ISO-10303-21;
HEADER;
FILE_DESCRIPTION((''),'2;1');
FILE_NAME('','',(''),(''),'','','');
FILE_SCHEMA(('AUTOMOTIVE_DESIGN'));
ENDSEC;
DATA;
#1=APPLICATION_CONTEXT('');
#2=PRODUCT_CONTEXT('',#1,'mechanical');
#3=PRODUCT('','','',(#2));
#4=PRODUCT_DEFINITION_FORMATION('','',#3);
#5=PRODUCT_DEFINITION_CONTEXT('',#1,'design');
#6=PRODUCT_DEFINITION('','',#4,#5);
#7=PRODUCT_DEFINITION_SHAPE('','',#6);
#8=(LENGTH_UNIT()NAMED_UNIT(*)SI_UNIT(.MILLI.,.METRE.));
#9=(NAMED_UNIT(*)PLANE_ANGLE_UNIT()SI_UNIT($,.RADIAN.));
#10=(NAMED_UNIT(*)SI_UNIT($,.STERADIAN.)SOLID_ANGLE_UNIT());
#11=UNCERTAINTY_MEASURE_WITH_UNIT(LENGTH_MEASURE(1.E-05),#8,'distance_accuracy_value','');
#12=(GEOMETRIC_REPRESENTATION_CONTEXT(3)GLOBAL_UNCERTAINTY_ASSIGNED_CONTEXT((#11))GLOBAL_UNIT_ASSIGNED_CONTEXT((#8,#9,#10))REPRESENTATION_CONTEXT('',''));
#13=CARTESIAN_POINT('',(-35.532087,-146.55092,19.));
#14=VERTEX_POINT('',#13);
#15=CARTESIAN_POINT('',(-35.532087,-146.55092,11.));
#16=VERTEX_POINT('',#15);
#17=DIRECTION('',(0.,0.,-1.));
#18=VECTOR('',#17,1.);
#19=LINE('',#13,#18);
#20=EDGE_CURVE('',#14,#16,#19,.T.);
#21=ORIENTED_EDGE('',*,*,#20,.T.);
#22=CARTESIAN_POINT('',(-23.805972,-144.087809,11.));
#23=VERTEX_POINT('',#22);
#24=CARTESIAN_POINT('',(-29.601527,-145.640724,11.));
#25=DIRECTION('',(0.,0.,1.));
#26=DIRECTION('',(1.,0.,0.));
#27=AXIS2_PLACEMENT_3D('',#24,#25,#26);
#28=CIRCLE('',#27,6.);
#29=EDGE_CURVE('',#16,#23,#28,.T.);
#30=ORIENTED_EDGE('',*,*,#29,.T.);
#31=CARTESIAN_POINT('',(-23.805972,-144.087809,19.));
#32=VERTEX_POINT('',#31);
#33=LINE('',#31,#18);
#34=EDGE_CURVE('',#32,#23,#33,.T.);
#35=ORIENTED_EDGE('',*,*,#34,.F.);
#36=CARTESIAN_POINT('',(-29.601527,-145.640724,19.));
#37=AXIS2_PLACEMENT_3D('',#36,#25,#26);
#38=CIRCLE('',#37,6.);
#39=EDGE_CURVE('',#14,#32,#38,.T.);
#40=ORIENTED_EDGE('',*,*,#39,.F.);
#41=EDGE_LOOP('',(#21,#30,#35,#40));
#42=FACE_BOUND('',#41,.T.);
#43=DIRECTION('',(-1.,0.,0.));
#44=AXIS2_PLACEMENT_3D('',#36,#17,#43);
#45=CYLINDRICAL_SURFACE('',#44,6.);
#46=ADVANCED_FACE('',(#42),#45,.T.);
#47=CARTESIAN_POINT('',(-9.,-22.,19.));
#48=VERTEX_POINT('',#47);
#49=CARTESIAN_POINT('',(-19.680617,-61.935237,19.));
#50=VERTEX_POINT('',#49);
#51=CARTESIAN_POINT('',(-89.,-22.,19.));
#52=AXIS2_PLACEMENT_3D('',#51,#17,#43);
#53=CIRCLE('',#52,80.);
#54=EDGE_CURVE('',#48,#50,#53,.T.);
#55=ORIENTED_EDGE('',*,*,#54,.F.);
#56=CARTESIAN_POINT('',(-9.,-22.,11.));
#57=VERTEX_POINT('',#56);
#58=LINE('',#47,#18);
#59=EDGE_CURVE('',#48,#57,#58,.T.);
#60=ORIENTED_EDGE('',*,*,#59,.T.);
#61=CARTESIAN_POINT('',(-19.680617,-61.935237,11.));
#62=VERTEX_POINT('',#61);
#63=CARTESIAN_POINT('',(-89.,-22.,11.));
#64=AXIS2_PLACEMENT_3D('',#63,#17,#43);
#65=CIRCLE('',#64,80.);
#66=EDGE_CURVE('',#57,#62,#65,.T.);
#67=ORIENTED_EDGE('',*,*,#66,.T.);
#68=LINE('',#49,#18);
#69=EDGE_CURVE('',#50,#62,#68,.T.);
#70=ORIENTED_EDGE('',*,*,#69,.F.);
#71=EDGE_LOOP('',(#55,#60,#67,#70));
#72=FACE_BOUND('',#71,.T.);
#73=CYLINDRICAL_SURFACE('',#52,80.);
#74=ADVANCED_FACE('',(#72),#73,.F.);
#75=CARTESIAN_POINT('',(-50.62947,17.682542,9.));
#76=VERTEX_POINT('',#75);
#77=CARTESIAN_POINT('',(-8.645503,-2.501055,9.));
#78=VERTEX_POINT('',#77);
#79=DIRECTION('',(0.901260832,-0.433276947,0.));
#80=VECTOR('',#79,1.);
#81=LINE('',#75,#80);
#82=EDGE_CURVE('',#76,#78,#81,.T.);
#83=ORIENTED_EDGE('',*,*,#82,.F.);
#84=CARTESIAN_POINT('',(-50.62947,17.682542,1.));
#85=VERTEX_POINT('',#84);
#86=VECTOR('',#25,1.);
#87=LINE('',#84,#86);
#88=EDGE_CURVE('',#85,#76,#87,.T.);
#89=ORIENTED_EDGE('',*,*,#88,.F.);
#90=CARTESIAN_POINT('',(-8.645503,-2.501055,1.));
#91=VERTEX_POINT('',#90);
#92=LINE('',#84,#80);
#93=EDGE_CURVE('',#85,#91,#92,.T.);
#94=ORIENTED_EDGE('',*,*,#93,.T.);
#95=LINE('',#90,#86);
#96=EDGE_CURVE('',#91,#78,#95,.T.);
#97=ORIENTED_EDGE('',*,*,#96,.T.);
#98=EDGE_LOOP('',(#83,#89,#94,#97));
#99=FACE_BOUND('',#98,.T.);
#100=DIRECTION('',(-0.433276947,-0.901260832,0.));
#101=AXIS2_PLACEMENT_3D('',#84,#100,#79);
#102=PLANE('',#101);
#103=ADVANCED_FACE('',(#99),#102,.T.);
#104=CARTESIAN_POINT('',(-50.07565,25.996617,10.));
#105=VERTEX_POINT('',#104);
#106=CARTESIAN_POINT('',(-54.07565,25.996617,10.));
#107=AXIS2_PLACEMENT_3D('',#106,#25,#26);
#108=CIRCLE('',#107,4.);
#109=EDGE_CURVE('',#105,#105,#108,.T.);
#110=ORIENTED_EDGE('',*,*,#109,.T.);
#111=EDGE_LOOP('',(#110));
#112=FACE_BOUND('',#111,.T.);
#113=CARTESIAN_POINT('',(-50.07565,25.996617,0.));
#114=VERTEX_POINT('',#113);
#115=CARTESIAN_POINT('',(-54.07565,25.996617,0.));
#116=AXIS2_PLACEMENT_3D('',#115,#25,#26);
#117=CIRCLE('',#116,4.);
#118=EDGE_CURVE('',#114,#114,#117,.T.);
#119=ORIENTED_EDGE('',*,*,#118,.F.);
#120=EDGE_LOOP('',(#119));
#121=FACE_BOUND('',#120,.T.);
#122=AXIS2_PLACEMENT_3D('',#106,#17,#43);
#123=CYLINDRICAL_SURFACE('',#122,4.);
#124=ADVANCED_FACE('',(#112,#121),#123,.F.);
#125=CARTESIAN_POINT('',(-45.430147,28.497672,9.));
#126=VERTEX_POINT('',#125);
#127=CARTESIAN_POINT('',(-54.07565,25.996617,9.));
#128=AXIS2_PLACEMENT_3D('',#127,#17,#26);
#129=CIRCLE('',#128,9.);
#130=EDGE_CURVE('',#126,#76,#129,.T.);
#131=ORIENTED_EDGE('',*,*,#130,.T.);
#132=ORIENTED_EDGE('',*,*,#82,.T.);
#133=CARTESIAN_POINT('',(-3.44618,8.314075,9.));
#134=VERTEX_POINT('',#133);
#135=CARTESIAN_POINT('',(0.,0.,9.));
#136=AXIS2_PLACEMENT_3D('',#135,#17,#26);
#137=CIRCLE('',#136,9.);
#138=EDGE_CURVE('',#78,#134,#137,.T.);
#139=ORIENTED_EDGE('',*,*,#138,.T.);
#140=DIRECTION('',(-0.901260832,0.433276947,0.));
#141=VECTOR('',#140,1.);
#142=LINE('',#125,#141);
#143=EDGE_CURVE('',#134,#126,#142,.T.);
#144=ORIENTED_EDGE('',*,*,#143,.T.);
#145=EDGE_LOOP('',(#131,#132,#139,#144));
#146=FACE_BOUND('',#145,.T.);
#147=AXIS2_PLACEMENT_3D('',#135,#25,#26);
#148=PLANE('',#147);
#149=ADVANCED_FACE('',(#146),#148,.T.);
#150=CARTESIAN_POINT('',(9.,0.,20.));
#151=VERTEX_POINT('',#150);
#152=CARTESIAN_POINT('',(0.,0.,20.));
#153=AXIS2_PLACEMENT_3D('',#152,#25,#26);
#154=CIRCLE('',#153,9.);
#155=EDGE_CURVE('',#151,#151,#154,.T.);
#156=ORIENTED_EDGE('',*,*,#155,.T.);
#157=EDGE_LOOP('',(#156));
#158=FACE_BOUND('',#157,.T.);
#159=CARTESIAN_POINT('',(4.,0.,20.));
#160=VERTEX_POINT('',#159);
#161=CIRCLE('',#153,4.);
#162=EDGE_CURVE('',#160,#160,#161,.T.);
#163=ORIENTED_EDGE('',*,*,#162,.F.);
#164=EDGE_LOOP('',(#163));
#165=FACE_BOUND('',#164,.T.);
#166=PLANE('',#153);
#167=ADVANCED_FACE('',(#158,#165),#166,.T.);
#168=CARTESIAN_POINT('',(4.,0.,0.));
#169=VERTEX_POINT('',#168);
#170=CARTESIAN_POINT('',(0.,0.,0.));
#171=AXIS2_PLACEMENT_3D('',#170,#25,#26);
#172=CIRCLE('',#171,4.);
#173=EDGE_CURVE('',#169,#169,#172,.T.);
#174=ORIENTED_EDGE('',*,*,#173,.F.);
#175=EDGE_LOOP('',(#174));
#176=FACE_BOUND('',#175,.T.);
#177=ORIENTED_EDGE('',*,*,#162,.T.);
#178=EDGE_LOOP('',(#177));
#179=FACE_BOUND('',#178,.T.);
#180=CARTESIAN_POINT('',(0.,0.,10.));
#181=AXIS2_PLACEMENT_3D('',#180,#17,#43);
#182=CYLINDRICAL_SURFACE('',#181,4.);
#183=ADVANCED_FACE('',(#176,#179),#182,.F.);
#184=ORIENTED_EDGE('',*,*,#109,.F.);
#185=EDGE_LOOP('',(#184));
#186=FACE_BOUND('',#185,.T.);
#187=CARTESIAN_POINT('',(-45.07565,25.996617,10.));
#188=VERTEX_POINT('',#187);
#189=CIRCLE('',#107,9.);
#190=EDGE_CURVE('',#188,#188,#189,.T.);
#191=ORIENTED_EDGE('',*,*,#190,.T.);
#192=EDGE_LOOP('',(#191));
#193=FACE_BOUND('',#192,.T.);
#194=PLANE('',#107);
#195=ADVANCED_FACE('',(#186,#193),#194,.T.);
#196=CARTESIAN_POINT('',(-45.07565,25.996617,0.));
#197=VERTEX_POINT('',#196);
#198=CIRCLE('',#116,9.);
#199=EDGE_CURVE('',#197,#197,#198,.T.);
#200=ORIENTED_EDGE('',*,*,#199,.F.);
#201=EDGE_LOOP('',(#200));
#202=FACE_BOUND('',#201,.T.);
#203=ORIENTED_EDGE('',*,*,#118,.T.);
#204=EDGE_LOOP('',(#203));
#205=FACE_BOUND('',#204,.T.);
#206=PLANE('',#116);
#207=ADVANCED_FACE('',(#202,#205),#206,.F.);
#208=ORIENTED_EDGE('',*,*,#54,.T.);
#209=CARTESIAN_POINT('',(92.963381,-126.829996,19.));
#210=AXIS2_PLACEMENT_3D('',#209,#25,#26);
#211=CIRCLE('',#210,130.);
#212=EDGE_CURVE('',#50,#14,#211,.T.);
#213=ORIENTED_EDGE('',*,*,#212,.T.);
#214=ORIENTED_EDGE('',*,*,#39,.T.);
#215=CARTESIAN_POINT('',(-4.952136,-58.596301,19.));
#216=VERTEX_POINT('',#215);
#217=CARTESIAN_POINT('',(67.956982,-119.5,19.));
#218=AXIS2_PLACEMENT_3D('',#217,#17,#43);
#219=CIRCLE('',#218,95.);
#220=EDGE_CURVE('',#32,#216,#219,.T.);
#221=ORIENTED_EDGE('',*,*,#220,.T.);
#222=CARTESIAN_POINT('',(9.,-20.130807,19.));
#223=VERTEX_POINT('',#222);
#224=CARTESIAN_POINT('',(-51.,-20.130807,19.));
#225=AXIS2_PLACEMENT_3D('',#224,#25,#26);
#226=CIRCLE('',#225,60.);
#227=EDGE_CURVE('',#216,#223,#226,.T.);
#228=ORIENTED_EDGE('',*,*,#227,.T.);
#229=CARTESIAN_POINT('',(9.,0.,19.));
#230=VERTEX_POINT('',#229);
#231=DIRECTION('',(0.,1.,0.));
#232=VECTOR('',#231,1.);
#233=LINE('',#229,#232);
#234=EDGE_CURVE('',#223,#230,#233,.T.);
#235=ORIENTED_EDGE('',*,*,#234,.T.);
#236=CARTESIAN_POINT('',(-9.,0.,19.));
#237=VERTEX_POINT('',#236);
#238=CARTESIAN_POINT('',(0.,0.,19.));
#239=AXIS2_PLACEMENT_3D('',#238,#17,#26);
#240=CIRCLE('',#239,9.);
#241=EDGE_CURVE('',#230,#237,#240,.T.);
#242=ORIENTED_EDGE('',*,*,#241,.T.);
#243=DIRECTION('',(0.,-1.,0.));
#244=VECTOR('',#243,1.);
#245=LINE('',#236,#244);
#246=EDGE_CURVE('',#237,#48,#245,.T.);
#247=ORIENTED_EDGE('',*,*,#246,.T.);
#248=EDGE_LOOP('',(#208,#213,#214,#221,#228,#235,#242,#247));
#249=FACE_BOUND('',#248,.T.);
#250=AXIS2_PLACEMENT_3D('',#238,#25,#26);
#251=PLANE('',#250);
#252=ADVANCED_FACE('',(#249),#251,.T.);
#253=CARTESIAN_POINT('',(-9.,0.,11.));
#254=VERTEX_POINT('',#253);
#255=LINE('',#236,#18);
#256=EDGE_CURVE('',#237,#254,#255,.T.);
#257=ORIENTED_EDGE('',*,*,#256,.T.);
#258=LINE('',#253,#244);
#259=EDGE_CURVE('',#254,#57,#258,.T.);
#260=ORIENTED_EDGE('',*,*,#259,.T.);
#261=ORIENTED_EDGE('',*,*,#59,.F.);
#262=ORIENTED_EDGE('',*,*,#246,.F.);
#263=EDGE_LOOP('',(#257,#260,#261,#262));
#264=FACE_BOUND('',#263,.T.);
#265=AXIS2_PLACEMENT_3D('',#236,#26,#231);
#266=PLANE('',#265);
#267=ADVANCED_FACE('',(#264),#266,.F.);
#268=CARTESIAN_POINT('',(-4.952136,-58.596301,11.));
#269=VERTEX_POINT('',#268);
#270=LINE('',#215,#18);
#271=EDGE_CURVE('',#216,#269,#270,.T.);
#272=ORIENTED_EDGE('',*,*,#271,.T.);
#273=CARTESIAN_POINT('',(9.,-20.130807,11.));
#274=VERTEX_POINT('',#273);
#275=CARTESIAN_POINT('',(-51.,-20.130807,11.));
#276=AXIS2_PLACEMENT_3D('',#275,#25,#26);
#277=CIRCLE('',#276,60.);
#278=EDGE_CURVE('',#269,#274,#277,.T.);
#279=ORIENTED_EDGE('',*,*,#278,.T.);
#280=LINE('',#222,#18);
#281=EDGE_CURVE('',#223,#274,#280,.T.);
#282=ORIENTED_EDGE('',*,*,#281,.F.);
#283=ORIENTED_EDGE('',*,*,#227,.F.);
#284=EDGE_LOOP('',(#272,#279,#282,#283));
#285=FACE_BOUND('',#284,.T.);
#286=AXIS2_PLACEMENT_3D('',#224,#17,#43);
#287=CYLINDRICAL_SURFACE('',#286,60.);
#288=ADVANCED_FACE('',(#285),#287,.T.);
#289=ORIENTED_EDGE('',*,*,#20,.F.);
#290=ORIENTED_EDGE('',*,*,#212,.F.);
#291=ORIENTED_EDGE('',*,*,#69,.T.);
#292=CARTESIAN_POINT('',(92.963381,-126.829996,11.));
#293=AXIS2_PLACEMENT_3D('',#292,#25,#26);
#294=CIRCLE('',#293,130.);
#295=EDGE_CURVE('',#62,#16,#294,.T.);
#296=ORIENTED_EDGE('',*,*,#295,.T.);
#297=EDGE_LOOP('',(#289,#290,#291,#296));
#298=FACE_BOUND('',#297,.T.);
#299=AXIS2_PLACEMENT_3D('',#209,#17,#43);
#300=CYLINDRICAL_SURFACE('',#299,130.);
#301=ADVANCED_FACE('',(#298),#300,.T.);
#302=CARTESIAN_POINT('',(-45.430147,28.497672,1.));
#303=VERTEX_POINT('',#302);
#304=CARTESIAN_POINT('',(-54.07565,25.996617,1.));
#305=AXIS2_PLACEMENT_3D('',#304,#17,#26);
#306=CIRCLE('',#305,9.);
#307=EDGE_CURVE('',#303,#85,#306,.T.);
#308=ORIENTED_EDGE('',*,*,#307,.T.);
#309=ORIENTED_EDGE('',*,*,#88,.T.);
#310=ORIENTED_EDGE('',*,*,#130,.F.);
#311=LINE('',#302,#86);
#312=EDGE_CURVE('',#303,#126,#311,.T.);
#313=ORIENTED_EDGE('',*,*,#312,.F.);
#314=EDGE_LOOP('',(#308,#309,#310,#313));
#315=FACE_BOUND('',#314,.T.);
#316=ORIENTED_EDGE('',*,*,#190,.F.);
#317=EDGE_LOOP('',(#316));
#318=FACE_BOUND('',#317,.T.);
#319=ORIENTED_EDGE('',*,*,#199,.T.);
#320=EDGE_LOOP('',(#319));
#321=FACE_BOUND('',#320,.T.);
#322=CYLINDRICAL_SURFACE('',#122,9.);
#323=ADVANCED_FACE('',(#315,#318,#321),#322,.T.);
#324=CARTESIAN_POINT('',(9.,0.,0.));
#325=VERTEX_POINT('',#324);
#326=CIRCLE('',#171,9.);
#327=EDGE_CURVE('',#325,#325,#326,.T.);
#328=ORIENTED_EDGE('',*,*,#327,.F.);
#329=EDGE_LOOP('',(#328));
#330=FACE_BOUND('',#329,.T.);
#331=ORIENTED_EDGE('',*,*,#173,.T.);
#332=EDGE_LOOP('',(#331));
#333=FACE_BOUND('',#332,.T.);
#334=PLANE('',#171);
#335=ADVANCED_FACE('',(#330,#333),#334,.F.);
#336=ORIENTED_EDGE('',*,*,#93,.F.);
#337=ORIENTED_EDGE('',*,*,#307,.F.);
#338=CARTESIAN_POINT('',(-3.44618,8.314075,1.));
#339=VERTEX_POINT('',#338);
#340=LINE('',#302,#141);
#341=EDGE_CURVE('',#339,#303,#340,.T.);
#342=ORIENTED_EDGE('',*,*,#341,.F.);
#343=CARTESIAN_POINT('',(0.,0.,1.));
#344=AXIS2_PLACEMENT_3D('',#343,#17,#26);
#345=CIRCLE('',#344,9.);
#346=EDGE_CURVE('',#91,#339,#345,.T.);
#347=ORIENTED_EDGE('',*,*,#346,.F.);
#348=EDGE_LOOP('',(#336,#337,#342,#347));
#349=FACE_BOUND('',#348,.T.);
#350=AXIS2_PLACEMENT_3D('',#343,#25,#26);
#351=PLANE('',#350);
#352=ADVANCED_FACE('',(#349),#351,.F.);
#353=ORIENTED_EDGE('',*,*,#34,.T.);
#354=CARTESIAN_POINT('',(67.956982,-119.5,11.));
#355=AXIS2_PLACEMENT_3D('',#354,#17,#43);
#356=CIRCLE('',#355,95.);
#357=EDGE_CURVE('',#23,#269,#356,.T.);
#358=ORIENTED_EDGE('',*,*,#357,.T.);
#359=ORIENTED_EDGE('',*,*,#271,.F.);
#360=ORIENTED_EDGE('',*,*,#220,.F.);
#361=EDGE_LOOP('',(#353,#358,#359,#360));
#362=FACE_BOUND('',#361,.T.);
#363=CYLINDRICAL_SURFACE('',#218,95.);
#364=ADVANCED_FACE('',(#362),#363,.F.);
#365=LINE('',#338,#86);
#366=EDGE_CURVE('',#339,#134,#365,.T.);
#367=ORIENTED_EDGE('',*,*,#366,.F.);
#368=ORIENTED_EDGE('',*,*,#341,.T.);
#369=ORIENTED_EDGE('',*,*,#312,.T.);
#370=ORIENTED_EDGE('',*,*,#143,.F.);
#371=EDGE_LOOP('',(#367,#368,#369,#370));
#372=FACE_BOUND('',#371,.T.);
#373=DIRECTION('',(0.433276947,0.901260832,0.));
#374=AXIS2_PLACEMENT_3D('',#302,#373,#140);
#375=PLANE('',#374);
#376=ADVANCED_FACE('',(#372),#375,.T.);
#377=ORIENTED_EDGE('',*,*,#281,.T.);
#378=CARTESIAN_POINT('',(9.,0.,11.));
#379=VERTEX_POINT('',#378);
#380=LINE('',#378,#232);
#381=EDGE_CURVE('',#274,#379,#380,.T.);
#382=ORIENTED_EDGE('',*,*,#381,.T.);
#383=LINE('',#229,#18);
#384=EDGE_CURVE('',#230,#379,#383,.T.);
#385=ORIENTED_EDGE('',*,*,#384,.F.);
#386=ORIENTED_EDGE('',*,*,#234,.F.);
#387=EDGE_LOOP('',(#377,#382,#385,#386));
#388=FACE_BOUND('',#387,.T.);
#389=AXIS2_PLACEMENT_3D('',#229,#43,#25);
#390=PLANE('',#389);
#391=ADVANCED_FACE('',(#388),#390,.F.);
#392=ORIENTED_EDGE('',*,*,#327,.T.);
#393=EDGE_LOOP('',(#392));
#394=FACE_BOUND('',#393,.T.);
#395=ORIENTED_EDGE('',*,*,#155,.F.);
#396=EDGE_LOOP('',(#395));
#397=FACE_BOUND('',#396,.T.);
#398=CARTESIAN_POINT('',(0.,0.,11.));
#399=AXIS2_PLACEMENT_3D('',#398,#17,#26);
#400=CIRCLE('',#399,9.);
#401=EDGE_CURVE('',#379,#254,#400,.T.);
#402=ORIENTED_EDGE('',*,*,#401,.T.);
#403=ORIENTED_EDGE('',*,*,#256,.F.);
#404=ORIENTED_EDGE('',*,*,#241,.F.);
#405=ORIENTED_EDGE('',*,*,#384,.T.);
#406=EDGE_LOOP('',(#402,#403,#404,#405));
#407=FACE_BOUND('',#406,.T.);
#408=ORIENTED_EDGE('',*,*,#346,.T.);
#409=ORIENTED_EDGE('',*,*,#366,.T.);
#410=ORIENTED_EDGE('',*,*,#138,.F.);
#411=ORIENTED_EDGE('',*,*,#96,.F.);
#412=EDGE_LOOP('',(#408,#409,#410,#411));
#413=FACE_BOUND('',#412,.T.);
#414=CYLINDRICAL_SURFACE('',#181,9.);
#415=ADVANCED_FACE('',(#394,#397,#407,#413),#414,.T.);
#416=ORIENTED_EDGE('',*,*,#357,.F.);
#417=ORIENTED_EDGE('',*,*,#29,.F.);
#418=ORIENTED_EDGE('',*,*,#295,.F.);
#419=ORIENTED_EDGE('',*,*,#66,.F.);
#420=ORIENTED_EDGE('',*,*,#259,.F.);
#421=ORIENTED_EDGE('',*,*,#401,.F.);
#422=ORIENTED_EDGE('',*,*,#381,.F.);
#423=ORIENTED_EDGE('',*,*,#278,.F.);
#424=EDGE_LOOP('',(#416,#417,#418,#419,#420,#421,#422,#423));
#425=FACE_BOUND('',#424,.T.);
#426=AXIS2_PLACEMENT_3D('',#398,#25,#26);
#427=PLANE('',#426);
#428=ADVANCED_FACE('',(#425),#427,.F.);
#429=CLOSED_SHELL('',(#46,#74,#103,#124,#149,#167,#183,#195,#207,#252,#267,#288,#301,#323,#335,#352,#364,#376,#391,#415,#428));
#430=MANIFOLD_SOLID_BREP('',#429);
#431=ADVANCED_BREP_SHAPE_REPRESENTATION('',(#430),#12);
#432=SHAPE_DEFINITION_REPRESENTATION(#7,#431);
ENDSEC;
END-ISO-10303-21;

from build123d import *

# Parameters (mm, degrees)
SKETCH_1_R        = 9
SKETCH_1_R_2      = 4
EXTRUDE_1_DEPTH   = 10
EXTRUDE_1_2_DEPTH = 10
EXTRUDE_START     = -9
EXTRUDE_2_DEPTH   = 8
EXTRUDE_START_2   = 1
EXTRUDE_3_DEPTH   = 8
SKETCH_5_R        = 9
SKETCH_5_R_2      = 4
EXTRUDE_4_DEPTH   = 10


with BuildPart() as part:
    # 草图1 → 凸台-拉伸1 (new body)
    with BuildSketch(Plane.XY):
        Circle(SKETCH_1_R)
        Circle(SKETCH_1_R_2, mode=Mode.SUBTRACT)
    extrude(amount=EXTRUDE_1_DEPTH)



with BuildPart() as body_2:
    # 草图1 → Extrude 1 2 (new body)
    with BuildSketch(Plane.XY):
        with Locations((-54.075649928, 25.996616797)):
            Circle(SKETCH_1_R)
        with Locations((-54.075649928, 25.996616797)):
            Circle(SKETCH_1_R_2, mode=Mode.SUBTRACT)
    extrude(amount=EXTRUDE_1_2_DEPTH)


with BuildPart() as part_1:
    add(part.part)

    add(body_2.part)  # 凸台-拉伸2 merges body 2
    # 草图2 → 凸台-拉伸2 (add)
    with BuildSketch(Plane.XY.offset(10).offset(EXTRUDE_START)):
        with BuildLine():
            Line((-50.629470149, 17.682541688), (-8.645503138, -2.501054876))
            ThreePointArc((-8.645503138, -2.501054876), (-8.111347489, 3.89949252), (-3.446179779, 8.31407511))
            Line((-3.446179779, 8.31407511), (-45.43014679, 28.497671673))
            ThreePointArc((-45.43014679, 28.497671673), (-45.964302438, 22.097124278), (-50.629470149, 17.682541688))
        make_face()
    extrude(amount=EXTRUDE_2_DEPTH)



with BuildPart() as body_2_2:
    # 草图4 → 凸台-拉伸3 (new body)
    with BuildSketch(Plane.XY.offset(10).offset(EXTRUDE_START_2)):
        with BuildLine():
            Line((-9, 0), (-9, -22))
            ThreePointArc((-9, -22), (-11.716267411, -42.669414049), (-19.680616928, -61.935236704))
            ThreePointArc((-19.680616928, -61.935236704), (-34.813823432, -102.892867464), (-35.532086941, -146.550920033))
            ThreePointArc((-35.532086941, -146.550920033), (-28.368122981, -151.512581419), (-23.805971944, -144.087809285))
            ThreePointArc((-23.805971944, -144.087809285), (-24.813823432, -99.040827427), (-4.952136173, -58.596300996))
            ThreePointArc((-4.952136173, -58.596300996), (5.404218945, -40.589645691), (9, -20.130806888))
            Line((9, -20.130806888), (9, 0))
            ThreePointArc((9, 0), (0, -9), (-9, 0))
        make_face()
    extrude(amount=EXTRUDE_3_DEPTH)


with BuildPart() as part_2:
    add(part_1.part)

    add(body_2_2.part)  # 凸台-拉伸4 merges body 2 2
    # 草图5 → 凸台-拉伸4 (add)
    with BuildSketch(Plane.XY.offset(10)):
        Circle(SKETCH_5_R)
        Circle(SKETCH_5_R_2, mode=Mode.SUBTRACT)
    extrude(amount=EXTRUDE_4_DEPTH)


solid = part_2.part
